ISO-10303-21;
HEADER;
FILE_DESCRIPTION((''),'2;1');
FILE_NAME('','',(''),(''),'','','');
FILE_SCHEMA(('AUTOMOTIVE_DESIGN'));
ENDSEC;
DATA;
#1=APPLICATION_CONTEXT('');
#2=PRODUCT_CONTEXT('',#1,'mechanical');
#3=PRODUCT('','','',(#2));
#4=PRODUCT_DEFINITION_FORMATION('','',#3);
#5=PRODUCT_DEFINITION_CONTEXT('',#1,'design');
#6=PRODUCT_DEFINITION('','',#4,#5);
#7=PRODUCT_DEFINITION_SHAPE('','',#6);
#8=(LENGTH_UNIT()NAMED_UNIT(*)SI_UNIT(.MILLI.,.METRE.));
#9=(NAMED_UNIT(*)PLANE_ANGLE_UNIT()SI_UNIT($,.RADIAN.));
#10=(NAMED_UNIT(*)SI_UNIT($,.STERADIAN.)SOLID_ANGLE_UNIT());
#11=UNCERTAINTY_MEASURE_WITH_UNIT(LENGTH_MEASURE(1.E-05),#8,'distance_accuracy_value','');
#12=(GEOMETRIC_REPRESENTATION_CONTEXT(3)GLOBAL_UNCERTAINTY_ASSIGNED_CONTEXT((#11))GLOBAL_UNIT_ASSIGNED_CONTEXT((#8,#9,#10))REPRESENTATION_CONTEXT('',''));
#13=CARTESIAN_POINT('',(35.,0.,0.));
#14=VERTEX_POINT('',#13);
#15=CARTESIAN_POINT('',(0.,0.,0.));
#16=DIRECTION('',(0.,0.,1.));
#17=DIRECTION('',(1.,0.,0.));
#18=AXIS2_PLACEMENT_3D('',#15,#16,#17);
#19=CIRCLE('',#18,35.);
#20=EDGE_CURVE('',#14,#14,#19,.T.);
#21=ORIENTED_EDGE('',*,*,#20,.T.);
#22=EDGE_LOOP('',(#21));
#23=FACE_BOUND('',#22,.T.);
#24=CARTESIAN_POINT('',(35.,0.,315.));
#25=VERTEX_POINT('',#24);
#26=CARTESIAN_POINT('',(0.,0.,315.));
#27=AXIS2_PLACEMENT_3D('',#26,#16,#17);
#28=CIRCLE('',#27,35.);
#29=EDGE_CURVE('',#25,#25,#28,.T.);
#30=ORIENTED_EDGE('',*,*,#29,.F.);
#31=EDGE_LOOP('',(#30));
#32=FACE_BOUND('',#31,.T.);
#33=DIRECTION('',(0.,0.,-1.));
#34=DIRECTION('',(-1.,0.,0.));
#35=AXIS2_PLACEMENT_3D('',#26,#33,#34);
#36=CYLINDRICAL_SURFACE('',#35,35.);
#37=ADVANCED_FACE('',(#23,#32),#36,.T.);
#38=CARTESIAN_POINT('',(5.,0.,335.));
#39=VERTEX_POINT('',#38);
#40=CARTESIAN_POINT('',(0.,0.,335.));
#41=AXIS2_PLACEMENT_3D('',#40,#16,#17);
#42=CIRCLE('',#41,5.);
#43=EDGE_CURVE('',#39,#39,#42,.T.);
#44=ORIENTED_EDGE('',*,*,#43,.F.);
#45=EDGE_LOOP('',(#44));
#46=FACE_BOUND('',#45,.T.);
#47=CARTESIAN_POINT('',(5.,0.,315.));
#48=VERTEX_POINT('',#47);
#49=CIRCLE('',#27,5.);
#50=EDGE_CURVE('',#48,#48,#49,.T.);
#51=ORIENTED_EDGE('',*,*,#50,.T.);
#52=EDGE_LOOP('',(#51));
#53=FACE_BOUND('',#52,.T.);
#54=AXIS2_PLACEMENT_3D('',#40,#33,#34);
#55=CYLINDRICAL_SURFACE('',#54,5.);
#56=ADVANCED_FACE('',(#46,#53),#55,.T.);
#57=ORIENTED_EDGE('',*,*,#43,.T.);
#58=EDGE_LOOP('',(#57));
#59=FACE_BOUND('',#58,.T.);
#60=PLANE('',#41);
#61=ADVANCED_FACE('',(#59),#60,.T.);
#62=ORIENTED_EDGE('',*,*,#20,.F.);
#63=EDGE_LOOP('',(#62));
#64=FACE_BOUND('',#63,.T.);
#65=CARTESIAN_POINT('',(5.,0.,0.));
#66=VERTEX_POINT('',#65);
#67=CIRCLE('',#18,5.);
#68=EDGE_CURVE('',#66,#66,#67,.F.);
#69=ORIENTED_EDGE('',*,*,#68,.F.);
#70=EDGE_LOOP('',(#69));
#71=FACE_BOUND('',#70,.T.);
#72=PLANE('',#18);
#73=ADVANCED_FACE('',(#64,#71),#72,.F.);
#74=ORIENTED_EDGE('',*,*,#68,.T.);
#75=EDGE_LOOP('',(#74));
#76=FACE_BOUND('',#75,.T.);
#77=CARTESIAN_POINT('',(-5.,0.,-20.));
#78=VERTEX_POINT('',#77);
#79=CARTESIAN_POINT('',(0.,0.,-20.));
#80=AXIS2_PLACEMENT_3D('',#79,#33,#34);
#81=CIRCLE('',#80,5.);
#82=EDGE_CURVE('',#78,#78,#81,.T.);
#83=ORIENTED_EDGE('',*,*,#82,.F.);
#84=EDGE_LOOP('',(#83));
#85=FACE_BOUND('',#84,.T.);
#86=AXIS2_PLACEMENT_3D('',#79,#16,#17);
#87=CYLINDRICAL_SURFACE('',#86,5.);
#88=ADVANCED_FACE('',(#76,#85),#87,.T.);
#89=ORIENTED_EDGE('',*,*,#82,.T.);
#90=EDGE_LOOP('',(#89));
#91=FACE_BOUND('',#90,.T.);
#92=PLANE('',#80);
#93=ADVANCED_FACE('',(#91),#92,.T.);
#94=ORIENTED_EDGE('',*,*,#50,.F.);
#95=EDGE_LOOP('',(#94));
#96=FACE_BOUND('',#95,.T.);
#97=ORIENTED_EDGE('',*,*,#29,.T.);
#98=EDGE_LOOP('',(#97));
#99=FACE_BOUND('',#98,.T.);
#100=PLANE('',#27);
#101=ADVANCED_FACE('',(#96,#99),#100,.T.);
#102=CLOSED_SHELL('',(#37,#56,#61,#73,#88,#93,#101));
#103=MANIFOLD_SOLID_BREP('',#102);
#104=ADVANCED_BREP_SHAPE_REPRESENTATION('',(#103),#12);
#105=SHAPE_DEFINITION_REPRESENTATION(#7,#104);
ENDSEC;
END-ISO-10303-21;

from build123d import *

# Parameters (mm, degrees)
SKETCH1_R           = 35
BOSS_EXTRUDE1_DEPTH = 315
SKETCH2_R           = 5
BOSS_EXTRUDE2_DEPTH = 20
SKETCH3_R           = 5
BOSS_EXTRUDE3_DEPTH = 20


with BuildPart() as part:
    # Sketch1 → Boss-Extrude1 (new body)
    with BuildSketch(Plane.XY):
        Circle(SKETCH1_R)
    extrude(amount=BOSS_EXTRUDE1_DEPTH)

    # Sketch2 → Boss-Extrude2 (add)
    with BuildSketch(Plane.XY.offset(315)):
        Circle(SKETCH2_R)
    extrude(amount=BOSS_EXTRUDE2_DEPTH)

    # Sketch3 → Boss-Extrude3 (add)
    with BuildSketch(Plane(origin=(0, 0, 0), x_dir=(-1, 0, 0), z_dir=(0, 0, -1))):
        Circle(SKETCH3_R)
    extrude(amount=BOSS_EXTRUDE3_DEPTH)


solid = part.part
